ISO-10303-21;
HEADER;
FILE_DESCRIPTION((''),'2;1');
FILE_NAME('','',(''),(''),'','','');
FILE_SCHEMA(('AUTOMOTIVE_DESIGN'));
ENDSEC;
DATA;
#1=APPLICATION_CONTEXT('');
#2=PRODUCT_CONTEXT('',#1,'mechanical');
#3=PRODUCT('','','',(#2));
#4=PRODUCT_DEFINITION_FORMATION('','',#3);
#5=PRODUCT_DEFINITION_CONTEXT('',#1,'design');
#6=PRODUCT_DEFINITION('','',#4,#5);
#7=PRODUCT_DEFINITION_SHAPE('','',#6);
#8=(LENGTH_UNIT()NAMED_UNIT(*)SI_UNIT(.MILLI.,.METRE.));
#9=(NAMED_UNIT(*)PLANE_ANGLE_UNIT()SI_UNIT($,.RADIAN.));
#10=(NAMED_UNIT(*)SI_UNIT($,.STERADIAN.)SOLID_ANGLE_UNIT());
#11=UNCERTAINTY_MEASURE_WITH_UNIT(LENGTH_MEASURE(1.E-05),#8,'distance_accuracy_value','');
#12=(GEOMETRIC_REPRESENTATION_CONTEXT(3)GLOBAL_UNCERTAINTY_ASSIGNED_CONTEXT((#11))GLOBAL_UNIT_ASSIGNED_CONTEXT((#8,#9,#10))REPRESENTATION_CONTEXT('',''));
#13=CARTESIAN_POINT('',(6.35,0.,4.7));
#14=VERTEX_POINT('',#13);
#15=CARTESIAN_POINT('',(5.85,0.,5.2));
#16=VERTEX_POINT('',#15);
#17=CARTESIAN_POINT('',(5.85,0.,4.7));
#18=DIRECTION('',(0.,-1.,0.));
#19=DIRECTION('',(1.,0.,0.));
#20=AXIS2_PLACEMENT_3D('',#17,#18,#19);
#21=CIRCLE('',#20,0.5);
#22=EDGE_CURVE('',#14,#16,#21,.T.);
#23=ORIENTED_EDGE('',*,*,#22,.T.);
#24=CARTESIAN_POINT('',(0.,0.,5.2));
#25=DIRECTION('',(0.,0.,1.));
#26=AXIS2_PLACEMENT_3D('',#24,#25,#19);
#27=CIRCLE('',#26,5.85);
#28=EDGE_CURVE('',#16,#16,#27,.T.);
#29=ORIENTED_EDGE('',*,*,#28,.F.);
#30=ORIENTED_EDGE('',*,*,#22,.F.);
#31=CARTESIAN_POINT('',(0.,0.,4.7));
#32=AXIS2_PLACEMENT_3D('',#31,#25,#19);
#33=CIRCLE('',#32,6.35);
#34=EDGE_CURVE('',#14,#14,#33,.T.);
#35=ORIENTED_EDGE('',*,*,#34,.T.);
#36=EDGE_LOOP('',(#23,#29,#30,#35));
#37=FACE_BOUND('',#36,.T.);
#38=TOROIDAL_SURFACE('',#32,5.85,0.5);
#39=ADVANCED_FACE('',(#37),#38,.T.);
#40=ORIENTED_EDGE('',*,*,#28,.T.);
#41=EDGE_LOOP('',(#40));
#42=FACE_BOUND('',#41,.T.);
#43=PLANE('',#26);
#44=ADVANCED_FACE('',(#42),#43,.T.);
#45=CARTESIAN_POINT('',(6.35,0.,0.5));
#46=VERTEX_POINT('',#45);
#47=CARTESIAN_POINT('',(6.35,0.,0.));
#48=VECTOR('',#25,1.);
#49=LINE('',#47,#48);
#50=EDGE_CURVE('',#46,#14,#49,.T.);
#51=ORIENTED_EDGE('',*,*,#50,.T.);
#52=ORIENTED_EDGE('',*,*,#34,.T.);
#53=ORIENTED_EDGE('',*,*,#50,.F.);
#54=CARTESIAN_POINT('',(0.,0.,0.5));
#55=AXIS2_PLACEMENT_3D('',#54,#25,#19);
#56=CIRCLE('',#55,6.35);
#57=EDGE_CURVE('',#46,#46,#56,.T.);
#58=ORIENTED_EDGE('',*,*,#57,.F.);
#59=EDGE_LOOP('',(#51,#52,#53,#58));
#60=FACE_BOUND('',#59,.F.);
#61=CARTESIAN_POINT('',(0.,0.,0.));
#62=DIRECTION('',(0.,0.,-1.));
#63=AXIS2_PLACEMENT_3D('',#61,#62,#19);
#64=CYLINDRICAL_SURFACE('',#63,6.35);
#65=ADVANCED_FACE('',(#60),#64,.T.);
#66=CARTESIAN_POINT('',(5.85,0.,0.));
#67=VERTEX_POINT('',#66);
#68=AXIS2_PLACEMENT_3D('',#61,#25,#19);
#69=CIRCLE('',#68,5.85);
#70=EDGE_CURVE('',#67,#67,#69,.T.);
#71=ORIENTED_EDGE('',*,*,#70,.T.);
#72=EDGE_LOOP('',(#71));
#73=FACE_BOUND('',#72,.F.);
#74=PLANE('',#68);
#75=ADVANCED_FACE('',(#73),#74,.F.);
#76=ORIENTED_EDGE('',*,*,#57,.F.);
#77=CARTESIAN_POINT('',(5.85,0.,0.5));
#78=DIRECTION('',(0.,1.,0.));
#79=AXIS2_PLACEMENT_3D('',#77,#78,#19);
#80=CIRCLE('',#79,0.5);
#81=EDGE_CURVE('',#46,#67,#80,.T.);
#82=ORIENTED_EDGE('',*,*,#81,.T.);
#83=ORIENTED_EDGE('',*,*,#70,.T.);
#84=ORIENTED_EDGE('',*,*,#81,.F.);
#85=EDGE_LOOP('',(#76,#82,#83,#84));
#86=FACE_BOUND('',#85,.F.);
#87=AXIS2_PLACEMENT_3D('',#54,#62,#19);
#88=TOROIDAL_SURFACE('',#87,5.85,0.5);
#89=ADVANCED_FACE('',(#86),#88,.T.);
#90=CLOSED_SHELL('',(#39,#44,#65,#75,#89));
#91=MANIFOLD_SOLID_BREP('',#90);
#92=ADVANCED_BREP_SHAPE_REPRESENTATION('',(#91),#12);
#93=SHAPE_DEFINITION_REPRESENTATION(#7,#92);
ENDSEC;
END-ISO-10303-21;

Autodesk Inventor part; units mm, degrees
ref_plane "YZ Plane" through (0, 0, 0) normal (1, 0, 0) x (0, 1, 0)
ref_plane "XZ Plane" through (0, 0, 0) normal (0, 1, 0) x (-1, 0, 0)
ref_plane "XY Plane" through (0, 0, 0) normal (0, 0, 1) x (1, 0, 0)
sketch "Sketch1" plane through (0, 0, 0) normal (0, 0, 1) x (1, 0, 0)
  circle A0 centre (0, 0) radius 6.35
  dimension "d0" = 12.7
extrude "Extrusion1" add sketch "Sketch1" along normal blind 5.2
fillet "Fillet1" radius 0.5 2 edges at (-6.35, 0, 5.2) (-6.35, 0, 0)
properties part number "magnet"
